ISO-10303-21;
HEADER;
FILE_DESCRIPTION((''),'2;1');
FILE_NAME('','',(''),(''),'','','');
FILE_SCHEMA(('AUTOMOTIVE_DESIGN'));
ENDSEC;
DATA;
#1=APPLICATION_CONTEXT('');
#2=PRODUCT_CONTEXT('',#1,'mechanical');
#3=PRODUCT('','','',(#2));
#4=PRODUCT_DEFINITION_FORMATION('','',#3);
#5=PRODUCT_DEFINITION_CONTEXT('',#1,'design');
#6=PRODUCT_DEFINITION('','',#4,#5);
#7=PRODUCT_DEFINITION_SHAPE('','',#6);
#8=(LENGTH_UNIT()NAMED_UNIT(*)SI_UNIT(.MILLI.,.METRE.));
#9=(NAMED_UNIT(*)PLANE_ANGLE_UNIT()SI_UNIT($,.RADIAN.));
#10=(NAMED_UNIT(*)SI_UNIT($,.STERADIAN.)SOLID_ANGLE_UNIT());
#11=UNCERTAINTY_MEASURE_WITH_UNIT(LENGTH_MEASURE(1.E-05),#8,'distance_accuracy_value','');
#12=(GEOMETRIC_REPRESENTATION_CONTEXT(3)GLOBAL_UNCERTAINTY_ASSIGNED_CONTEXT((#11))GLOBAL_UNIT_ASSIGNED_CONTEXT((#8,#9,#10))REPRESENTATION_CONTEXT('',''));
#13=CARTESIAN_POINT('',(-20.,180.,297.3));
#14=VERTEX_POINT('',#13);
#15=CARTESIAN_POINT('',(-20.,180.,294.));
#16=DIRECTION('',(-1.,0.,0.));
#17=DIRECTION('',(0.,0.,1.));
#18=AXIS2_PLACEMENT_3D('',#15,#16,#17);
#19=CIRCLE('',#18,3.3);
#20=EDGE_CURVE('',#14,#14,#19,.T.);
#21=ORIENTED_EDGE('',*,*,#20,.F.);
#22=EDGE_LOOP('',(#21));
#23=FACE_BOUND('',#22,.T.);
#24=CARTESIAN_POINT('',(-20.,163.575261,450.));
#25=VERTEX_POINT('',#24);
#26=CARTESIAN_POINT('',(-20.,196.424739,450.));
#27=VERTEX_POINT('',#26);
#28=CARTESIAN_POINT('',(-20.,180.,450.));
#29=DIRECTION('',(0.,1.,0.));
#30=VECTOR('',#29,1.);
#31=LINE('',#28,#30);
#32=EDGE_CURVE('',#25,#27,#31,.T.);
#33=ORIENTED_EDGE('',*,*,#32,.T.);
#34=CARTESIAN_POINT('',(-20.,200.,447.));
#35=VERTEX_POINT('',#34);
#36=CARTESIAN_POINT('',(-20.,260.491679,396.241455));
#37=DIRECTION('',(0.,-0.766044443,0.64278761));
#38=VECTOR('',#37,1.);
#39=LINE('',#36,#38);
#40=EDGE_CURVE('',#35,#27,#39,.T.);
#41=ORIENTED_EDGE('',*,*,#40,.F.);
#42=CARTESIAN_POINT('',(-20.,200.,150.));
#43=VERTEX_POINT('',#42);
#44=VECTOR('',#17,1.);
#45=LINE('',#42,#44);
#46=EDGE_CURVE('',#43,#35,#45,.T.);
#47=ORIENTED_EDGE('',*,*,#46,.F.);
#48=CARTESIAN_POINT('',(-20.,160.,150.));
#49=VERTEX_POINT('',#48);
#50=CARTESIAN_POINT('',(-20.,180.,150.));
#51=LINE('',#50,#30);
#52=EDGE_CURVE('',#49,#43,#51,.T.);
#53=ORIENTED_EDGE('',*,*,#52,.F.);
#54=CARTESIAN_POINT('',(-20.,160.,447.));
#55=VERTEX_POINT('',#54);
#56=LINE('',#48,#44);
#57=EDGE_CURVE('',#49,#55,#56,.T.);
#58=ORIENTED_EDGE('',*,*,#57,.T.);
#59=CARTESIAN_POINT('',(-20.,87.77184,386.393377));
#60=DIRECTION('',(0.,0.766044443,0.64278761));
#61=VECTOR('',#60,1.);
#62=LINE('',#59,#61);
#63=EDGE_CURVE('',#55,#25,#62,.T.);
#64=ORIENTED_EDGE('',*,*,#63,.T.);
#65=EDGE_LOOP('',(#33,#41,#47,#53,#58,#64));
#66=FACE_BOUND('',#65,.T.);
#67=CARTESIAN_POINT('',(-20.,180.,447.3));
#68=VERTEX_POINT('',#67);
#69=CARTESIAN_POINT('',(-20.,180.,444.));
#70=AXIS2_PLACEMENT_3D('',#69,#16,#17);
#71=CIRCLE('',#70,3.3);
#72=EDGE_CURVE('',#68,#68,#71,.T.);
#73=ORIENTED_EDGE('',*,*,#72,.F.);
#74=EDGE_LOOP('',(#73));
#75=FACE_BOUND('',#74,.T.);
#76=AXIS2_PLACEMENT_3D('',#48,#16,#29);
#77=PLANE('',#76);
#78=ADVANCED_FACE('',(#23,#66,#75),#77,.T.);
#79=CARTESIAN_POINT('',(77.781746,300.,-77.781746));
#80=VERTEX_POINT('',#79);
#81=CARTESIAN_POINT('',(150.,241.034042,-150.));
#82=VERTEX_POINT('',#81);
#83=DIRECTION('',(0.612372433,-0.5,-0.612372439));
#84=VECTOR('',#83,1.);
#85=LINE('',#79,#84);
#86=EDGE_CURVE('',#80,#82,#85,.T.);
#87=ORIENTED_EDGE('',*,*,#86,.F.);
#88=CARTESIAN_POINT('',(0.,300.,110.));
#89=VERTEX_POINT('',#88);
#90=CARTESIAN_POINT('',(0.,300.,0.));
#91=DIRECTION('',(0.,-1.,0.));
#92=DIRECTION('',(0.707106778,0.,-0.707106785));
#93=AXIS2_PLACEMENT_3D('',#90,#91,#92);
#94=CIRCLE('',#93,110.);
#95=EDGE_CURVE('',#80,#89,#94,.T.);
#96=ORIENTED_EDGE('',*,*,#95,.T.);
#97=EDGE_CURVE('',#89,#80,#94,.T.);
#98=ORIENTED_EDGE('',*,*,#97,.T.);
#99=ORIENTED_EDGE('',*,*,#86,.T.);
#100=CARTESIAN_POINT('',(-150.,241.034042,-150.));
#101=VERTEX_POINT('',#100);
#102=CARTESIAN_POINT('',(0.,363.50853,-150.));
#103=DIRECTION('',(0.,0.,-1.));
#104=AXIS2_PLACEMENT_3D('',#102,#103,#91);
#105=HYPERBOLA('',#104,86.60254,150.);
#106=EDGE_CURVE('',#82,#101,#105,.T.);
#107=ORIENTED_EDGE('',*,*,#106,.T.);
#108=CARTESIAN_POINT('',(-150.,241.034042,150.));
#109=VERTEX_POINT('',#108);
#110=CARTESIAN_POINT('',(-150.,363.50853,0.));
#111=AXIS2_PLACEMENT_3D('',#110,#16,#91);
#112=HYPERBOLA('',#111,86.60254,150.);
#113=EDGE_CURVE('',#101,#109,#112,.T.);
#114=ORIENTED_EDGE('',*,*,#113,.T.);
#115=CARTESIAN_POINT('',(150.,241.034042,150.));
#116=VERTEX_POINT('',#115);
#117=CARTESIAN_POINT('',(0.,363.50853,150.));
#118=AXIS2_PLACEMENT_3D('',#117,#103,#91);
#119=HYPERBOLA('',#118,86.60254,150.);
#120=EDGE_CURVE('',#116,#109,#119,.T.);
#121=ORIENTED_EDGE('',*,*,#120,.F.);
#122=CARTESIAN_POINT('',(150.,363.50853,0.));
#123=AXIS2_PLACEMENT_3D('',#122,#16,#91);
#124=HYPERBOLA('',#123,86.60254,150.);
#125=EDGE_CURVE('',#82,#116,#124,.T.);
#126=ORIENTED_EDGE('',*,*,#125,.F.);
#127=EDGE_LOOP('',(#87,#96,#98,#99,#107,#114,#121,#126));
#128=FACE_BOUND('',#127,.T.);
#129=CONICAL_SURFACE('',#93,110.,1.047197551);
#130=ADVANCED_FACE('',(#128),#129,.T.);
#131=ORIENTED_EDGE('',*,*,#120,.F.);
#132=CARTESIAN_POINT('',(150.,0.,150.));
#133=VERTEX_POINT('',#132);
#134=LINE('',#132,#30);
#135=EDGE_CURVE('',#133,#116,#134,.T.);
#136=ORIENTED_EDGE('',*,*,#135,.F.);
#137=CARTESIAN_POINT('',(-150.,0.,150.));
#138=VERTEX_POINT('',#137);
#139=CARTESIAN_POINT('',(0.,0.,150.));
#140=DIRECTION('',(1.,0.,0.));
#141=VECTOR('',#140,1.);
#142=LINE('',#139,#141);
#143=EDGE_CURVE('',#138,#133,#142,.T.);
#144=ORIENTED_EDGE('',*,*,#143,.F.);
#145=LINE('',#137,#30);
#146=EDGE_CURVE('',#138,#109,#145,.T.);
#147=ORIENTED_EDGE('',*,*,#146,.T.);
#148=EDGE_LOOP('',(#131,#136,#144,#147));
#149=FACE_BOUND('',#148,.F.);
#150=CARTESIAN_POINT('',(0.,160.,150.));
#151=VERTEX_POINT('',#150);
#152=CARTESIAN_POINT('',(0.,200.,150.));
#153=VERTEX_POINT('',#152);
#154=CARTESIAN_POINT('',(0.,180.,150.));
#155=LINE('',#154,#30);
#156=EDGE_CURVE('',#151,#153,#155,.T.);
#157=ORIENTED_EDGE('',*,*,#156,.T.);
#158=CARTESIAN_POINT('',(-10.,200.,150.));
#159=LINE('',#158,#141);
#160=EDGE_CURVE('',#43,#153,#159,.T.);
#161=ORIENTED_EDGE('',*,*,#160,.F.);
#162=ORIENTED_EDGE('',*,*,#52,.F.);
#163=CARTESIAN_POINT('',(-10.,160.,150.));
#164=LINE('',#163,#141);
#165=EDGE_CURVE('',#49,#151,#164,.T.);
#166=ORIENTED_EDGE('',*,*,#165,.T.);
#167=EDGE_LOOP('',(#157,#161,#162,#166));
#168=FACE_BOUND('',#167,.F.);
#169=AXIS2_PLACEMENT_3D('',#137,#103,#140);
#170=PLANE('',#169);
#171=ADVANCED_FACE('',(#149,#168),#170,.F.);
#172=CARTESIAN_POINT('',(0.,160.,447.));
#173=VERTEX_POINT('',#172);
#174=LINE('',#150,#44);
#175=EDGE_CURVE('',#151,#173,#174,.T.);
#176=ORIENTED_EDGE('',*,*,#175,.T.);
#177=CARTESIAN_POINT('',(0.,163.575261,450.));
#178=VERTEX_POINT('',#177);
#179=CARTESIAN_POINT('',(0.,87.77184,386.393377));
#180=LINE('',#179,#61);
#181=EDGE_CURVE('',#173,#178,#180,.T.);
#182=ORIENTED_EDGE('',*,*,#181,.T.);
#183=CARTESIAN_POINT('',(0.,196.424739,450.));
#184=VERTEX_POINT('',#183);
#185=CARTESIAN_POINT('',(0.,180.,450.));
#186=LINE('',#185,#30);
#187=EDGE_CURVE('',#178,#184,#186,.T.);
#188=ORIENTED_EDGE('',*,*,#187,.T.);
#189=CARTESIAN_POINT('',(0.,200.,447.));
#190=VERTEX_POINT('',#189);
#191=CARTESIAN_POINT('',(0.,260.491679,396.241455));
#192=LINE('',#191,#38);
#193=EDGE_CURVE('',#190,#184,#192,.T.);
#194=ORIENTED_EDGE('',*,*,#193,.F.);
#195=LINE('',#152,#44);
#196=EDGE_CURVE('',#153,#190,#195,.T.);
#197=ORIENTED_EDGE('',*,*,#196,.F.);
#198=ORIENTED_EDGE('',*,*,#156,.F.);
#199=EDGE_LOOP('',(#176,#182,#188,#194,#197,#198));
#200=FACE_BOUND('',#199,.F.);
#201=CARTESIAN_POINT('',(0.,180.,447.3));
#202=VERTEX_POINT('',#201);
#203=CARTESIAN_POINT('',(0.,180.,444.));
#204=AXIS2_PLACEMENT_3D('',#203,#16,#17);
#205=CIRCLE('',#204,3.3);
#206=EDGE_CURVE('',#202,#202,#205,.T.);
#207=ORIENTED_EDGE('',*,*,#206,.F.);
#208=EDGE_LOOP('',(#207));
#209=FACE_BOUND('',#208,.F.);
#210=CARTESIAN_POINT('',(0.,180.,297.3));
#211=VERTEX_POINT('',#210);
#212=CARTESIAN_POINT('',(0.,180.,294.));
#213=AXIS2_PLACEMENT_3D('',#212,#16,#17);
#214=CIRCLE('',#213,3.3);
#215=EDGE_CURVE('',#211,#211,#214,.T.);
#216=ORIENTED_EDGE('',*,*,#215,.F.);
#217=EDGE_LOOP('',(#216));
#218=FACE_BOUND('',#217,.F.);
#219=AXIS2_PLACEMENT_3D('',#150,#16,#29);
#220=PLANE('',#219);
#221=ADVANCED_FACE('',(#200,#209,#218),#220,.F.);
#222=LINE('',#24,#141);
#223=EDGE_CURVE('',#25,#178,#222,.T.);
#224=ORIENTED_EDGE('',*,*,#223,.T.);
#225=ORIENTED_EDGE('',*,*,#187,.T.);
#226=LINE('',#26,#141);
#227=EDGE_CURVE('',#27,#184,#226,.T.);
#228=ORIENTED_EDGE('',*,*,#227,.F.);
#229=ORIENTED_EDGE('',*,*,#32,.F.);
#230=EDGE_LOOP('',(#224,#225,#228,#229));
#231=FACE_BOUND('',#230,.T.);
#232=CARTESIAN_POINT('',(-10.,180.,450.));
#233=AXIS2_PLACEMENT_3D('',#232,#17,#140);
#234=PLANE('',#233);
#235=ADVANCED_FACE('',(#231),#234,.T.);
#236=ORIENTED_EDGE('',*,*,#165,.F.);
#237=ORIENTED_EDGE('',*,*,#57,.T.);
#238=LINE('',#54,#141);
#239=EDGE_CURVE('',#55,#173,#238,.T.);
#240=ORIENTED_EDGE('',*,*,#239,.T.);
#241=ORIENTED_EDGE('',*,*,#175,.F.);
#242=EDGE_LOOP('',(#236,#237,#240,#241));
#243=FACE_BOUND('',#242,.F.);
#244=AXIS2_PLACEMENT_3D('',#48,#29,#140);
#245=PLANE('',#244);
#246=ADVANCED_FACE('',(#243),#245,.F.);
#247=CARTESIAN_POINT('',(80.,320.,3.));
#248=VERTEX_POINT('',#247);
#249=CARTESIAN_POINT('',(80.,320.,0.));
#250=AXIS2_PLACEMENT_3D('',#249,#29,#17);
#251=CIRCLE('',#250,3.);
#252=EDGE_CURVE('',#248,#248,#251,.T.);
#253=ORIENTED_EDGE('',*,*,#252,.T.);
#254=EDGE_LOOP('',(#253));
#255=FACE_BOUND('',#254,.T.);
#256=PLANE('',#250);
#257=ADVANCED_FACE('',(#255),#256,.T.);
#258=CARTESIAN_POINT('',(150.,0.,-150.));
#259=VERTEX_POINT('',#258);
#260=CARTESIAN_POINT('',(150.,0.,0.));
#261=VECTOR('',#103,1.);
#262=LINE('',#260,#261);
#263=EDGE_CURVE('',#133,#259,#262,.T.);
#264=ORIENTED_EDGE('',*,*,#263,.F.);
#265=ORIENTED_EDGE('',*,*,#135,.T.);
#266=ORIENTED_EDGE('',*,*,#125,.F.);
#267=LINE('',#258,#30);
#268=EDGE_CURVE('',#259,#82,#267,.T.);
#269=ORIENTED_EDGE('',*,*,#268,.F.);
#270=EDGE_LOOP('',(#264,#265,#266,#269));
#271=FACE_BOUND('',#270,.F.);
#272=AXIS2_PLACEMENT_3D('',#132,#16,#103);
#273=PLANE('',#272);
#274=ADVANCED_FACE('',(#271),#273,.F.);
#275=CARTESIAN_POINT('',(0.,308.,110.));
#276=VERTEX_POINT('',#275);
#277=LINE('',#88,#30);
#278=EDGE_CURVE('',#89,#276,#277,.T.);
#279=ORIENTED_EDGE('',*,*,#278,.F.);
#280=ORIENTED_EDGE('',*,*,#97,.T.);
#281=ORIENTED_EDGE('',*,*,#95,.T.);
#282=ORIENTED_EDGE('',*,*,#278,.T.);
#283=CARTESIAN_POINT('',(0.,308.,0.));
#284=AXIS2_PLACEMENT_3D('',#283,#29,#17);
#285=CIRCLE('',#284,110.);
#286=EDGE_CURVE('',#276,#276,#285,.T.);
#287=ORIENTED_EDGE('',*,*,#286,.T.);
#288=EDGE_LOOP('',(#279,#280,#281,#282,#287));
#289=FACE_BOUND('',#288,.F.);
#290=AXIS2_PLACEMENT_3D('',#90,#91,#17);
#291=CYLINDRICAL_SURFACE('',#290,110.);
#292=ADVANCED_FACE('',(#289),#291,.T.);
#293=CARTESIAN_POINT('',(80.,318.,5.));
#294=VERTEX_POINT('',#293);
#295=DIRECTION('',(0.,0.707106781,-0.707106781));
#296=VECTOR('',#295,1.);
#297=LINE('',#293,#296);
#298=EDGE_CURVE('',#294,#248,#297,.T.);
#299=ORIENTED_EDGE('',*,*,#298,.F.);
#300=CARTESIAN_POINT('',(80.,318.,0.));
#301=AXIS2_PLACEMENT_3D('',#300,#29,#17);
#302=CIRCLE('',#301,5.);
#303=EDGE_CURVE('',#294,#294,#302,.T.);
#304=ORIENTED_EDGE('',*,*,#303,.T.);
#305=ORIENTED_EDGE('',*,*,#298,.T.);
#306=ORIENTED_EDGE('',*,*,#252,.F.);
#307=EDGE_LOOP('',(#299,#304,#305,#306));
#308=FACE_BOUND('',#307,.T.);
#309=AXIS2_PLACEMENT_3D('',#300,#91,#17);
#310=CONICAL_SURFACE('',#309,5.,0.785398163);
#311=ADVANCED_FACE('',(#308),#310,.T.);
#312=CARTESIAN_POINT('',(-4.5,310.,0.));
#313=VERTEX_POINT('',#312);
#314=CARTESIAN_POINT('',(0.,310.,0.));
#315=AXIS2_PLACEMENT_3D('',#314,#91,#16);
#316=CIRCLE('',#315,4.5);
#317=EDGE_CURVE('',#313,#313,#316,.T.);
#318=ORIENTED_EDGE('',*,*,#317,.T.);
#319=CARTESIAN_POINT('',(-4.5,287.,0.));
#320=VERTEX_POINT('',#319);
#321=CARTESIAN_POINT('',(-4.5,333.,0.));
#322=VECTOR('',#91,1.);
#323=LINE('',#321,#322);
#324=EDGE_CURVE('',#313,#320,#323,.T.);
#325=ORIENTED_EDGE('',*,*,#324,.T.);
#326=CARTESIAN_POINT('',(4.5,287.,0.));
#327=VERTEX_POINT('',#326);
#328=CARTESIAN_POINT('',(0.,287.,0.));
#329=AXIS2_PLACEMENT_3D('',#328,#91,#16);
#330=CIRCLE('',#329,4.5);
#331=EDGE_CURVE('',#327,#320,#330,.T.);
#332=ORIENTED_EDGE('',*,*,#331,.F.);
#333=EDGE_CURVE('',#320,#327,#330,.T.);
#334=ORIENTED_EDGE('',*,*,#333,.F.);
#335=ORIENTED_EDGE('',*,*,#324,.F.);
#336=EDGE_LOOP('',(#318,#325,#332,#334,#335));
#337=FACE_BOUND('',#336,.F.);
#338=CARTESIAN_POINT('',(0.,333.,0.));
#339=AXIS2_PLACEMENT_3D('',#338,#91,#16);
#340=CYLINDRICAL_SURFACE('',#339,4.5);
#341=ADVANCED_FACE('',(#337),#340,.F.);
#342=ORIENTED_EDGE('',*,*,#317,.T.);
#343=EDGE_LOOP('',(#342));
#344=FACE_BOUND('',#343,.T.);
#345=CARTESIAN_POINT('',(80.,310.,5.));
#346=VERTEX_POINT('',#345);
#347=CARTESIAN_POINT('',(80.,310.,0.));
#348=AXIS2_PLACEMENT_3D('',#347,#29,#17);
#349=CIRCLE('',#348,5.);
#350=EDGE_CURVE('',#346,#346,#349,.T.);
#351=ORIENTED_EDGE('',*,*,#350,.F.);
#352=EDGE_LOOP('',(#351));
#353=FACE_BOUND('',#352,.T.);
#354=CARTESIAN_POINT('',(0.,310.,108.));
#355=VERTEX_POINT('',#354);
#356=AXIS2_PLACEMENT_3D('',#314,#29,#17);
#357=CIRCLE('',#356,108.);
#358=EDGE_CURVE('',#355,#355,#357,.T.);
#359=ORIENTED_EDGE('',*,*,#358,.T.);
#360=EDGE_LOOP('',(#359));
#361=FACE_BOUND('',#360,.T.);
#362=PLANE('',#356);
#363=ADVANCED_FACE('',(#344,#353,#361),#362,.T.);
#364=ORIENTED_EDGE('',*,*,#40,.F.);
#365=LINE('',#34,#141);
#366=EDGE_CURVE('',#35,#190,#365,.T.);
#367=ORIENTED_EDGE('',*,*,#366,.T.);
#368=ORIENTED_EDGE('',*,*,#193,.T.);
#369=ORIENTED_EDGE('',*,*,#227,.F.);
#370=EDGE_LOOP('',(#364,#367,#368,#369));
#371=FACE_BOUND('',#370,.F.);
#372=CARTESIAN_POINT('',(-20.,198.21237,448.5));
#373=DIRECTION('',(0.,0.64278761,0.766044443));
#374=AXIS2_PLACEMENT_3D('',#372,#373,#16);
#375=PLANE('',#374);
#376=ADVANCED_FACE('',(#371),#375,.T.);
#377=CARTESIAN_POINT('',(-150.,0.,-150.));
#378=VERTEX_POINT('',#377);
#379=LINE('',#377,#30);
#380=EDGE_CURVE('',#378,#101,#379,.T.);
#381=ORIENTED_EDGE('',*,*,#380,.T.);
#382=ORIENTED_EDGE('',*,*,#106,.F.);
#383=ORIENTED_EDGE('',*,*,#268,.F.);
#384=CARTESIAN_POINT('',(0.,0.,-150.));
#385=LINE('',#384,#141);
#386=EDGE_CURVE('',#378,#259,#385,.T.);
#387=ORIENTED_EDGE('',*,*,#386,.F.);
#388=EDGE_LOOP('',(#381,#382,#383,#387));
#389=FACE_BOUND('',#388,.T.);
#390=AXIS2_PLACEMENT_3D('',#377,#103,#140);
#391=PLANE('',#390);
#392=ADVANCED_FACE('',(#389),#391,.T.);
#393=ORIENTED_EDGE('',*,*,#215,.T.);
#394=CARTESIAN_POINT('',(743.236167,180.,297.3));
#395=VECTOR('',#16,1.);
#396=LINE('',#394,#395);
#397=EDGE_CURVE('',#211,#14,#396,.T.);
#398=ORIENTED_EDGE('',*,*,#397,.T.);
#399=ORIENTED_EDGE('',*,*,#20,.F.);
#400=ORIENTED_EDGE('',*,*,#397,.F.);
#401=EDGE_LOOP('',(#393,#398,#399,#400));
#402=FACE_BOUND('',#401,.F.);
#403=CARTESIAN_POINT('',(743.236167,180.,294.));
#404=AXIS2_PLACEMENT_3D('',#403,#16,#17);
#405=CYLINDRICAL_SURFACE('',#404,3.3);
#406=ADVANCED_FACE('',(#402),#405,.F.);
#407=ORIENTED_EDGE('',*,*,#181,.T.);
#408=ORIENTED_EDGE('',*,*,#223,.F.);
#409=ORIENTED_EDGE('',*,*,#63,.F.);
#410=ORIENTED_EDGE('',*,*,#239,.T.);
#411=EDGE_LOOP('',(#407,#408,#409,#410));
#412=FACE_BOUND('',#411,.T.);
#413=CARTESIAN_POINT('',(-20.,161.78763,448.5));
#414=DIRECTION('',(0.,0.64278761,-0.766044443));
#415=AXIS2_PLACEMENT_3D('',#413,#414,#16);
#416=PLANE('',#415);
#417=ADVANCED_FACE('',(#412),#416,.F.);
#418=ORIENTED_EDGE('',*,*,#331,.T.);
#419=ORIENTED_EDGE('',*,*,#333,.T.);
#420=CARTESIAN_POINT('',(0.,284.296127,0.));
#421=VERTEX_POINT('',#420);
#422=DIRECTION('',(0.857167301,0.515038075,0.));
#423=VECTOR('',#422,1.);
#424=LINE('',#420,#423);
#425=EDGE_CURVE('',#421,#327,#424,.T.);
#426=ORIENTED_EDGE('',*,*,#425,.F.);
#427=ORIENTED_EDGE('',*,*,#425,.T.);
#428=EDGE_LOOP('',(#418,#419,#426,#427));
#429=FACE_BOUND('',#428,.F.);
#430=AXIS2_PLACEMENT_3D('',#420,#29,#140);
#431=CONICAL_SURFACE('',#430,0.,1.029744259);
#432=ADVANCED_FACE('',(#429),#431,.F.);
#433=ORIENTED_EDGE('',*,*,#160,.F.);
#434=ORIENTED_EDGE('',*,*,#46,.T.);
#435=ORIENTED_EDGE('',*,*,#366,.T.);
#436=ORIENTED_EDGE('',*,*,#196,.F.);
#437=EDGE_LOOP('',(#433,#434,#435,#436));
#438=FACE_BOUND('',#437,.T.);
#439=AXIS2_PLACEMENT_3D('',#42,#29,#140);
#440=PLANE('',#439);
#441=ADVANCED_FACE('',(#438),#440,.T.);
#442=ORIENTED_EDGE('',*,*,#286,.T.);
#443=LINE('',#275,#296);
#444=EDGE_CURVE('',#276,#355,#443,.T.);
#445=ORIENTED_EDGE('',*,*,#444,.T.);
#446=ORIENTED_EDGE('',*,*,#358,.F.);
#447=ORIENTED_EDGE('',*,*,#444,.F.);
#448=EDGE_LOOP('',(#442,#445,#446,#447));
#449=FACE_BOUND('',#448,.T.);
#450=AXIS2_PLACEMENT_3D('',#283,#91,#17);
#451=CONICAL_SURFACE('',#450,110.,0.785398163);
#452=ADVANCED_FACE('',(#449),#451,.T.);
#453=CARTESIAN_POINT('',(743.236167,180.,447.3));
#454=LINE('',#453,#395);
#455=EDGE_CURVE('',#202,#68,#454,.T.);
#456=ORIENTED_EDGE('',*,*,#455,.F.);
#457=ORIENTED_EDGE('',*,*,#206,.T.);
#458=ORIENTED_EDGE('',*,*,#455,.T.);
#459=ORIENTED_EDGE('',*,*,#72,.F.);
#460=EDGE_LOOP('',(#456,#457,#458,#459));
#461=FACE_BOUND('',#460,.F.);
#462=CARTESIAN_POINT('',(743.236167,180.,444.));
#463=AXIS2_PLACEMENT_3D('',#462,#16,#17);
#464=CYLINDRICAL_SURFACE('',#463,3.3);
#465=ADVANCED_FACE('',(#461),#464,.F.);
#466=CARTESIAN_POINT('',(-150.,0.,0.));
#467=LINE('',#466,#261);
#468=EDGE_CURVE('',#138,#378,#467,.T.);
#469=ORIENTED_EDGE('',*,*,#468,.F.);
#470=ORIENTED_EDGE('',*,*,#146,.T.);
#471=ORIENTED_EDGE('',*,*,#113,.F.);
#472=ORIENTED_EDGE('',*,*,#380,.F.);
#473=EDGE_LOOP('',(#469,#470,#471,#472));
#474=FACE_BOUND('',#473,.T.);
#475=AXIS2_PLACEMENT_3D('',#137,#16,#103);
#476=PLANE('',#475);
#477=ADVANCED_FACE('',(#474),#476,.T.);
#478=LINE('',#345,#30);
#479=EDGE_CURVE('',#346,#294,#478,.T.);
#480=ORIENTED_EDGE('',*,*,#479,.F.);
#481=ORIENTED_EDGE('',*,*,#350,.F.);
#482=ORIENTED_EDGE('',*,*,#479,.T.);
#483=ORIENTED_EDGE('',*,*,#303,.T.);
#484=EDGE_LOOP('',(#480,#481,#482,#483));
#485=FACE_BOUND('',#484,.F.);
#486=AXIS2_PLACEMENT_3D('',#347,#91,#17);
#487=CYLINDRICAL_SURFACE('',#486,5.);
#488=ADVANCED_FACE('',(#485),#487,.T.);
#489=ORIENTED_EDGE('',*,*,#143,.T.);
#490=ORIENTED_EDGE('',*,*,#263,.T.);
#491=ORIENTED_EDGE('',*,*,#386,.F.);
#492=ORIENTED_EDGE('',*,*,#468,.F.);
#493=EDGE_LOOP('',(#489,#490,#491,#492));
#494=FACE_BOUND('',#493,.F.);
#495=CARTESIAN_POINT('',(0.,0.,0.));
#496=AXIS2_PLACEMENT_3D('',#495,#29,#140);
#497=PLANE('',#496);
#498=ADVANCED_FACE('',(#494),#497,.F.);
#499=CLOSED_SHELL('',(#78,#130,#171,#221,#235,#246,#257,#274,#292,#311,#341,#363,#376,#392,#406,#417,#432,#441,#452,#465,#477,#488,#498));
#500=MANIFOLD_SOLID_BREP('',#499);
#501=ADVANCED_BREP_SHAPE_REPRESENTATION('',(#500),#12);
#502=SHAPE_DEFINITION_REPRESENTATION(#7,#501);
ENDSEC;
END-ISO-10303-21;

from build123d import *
from OCP.BRepFilletAPI import BRepFilletAPI_MakeChamfer

# Parameters (mm, degrees)
SKETCH1_W                  = 300
SKETCH1_H                  = 300
BOSS_EXTRUDE1_DEPTH        = 300
SKETCH3_R                  = 110
BOSS_EXTRUDE2_DEPTH        = 10
SKETCH4_R                  = 5
BOSS_EXTRUDE3_DEPTH        = 10
CHAMFER1_SIZE              = 2
CHAMFER2_SIZE              = 2
M10X1_0_TAPPED_HOLE1_D     = 9
M10X1_0_TAPPED_HOLE1_DEPTH = 23
M10X1_0_TAPPED_HOLE1_TIP   = 2.703872786
SKETCH7_W                  = 20
SKETCH7_H                  = 40
BOSS_EXTRUDE4_DEPTH        = 300
CHAMFER3_SIZE              = 3
CHAMFER3_SIZE2             = 3.575260778
M6_CLEARANCE_HOLE1_D       = 6.6


with BuildPart() as part:
    # Sketch1 → Boss-Extrude1 (new body)
    with BuildSketch(Plane(origin=(0, 0, 0), x_dir=(1, 0, 0), z_dir=(0, 1, 0))):
        Rectangle(SKETCH1_W, SKETCH1_H)
    extrude(amount=BOSS_EXTRUDE1_DEPTH)

    # Sketch2 → Cut-Revolve1 (revolve, cut)
    with BuildSketch(Plane.XY, mode=Mode.PRIVATE) as cut_revolve1_sk:
        Polygon((110, 300), (250, 219.170962313), (250, 300), align=None)
    revolve(cut_revolve1_sk.sketch.rotate(Axis((0, 394.192122867, 0), (0, -1, 0)), 314.999999708), axis=Axis((0, 394.192122867, 0), (0, -1, 0)), mode=Mode.SUBTRACT)

    # Sketch3 → Boss-Extrude2 (add)
    with BuildSketch(Plane(origin=(0, 300, 0), x_dir=(1, 0, 0), z_dir=(0, 1, 0))):
        with Locations(Location((0, 0, 0), (0, 0, 270))):
            Circle(SKETCH3_R)
    extrude(amount=BOSS_EXTRUDE2_DEPTH)

    # Sketch4 → Boss-Extrude3 (add)
    with BuildSketch(Plane(origin=(0, 310, 0), x_dir=(1, 0, 0), z_dir=(0, 1, 0))):
        with Locations(Location((80, 0, 0), (0, 0, 270))):
            Circle(SKETCH4_R)
    extrude(amount=BOSS_EXTRUDE3_DEPTH)

    # Chamfer1
    chamfer1_edges = [part.edges().sort_by_distance(p)[0] for p in [
        (0, 310, -110),
    ]]
    chamfer(chamfer1_edges, length=CHAMFER1_SIZE)

    # Chamfer2
    chamfer2_edges = [part.edges().sort_by_distance(p)[0] for p in [
        (80, 320, -5),
    ]]
    chamfer(chamfer2_edges, length=CHAMFER2_SIZE)

    # M10x1.0 Tapped Hole1
    with Locations(Plane(origin=(0, 310, 0), x_dir=(1, 0, 0), z_dir=(0, 1, 0))):
        with Locations((0, 0)):
            Hole(M10X1_0_TAPPED_HOLE1_D / 2, depth=M10X1_0_TAPPED_HOLE1_DEPTH)
            with Locations((0, 0, -(M10X1_0_TAPPED_HOLE1_DEPTH + M10X1_0_TAPPED_HOLE1_TIP / 2))):  # 118° drill point
                Cone(0, M10X1_0_TAPPED_HOLE1_D / 2, M10X1_0_TAPPED_HOLE1_TIP, mode=Mode.SUBTRACT)

    # Sketch7 → Boss-Extrude4 (add)
    with BuildSketch(Plane.XY.offset(150)):
        with Locations((-10, 180)):
            Rectangle(SKETCH7_W, SKETCH7_H)
    extrude(amount=BOSS_EXTRUDE4_DEPTH)

    # Chamfer3: one chamfer whose edges measure the first distance from different faces: ONE call of the kernel's chamfer builder (chamfer() names one face for all edges)
    chamfer3_edges_1 = [part.edges().sort_by_distance(p)[0] for p in [
        (-10, 200, 450),
    ]]
    chamfer3_side_1 = [part.faces().sort_by_distance(p)[0] for p in [
        (-10, 200, 300),
    ]]
    chamfer3_edges_2 = [part.edges().sort_by_distance(p)[0] for p in [
        (-10, 160, 450),
    ]]
    chamfer3_side_2 = [part.faces().sort_by_distance(p)[0] for p in [
        (-10, 160, 300),
    ]]
    chamfer3 = BRepFilletAPI_MakeChamfer(part.part.solid().wrapped)
    for e in chamfer3_edges_1:
        chamfer3.Add(CHAMFER3_SIZE, CHAMFER3_SIZE2, e.wrapped, chamfer3_side_1[0].wrapped)  # the first distance lies on this face
    for e in chamfer3_edges_2:
        chamfer3.Add(CHAMFER3_SIZE, CHAMFER3_SIZE2, e.wrapped, chamfer3_side_2[0].wrapped)  # the first distance lies on this face
    add(Compound.cast(chamfer3.Shape()), mode=Mode.REPLACE)

    # M6 Clearance Hole1 (through all)
    with Locations(Plane(origin=(0, 0, 0), x_dir=(0, 0, -1), z_dir=(1, 0, 0))):
        with Locations((-444, 180), (-294, 180)):
            Hole(M6_CLEARANCE_HOLE1_D / 2)


solid = part.part
